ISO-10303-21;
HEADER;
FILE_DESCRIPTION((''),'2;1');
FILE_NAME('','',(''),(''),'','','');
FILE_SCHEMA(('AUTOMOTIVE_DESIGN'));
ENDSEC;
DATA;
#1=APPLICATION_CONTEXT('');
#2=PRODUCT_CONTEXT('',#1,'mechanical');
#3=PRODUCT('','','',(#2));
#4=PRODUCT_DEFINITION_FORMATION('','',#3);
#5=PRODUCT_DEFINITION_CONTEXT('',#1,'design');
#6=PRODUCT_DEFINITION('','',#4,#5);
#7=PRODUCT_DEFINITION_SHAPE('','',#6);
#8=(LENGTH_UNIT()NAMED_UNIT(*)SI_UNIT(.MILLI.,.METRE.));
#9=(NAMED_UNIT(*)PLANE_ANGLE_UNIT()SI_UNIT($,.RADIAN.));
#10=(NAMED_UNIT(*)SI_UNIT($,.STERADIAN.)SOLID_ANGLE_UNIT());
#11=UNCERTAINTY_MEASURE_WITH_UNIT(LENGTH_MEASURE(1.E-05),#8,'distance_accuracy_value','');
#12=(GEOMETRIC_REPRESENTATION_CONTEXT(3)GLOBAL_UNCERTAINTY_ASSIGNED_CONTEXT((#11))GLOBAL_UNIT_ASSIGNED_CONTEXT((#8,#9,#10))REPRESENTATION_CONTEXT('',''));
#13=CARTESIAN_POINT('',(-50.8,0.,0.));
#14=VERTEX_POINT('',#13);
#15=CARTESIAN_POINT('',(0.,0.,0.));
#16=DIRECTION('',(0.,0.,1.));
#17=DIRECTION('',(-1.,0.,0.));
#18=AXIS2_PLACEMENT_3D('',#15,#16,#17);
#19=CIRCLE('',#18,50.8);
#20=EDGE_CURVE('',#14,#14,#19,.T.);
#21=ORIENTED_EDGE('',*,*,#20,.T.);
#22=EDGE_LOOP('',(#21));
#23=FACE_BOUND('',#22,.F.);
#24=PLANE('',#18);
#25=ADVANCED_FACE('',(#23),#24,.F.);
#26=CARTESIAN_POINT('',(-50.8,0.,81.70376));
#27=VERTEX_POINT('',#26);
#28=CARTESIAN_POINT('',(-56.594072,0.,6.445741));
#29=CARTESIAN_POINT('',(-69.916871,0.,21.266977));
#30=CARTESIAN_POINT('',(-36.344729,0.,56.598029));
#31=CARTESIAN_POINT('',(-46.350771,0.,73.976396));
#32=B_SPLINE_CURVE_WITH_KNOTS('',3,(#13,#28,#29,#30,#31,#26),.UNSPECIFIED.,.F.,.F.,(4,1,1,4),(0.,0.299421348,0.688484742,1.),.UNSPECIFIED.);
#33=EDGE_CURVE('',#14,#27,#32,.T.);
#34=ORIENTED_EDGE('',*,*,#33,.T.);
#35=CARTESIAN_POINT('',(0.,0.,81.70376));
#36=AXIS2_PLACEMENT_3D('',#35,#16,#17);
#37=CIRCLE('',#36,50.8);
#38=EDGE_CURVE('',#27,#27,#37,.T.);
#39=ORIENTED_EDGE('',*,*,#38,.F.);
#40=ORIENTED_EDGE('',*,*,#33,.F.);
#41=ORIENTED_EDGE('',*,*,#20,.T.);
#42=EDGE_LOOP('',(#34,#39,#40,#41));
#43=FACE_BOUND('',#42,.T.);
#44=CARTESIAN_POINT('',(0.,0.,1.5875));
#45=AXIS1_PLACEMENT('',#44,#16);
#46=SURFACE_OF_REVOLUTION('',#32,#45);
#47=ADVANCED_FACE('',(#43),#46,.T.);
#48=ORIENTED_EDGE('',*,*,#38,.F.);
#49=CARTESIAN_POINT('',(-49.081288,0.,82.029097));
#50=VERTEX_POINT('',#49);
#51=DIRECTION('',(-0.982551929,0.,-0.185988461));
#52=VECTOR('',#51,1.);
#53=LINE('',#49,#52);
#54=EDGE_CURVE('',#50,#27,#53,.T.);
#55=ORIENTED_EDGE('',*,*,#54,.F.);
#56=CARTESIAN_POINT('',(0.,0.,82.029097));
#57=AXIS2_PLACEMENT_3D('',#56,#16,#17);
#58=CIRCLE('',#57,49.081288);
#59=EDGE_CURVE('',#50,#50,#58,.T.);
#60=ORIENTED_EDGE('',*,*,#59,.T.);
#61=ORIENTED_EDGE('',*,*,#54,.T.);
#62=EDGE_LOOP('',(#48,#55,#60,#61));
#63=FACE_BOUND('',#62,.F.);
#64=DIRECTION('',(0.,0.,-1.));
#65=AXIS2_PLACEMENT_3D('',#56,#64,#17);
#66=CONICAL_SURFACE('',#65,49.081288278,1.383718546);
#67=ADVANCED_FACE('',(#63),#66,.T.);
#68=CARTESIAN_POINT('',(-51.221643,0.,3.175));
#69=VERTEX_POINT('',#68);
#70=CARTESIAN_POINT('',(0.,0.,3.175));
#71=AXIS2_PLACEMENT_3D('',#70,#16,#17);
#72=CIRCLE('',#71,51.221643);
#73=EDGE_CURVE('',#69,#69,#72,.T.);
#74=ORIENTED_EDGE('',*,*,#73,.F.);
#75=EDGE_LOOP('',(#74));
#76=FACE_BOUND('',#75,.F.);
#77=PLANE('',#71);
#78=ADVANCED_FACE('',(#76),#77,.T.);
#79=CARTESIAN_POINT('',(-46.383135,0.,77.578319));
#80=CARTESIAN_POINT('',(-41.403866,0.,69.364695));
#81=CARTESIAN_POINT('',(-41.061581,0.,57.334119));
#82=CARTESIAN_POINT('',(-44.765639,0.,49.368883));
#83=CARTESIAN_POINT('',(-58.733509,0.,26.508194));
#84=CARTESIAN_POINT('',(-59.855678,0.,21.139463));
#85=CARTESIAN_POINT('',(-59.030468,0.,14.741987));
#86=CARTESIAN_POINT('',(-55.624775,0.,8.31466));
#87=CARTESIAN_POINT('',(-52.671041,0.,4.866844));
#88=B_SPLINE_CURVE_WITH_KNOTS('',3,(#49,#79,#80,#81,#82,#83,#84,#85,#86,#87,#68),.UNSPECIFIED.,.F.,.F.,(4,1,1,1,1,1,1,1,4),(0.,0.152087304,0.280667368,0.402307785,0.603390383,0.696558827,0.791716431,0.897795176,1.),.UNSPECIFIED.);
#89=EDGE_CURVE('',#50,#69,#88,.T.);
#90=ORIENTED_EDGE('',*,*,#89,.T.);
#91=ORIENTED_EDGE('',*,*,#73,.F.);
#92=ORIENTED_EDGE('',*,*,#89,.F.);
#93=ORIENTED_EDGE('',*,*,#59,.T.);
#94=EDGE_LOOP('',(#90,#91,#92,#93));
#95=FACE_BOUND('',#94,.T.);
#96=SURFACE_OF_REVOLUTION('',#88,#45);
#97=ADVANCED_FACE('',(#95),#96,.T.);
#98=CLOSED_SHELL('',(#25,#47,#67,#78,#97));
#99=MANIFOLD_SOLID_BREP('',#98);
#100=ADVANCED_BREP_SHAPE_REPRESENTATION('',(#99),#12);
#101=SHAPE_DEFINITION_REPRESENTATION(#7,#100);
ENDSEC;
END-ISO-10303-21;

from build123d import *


with BuildPart() as f1:
    # F0 (on Front) → F1 (revolve)
    with BuildSketch(Plane.XZ):
        with BuildLine():
            Line((-50.8, 0), (0, 0))
            Line((0, 0), (0, 3.175))
            Line((0, 3.175), (-51.2216426432, 3.175))
            add(Edge.make_bspline(
                [(-49.0812882781, 82.0290967822), (-46.3831349432, 77.578319463), (-41.4038659616, 69.3646952917), (-41.0615806078, 57.3341190703), (-44.765638516, 49.3688829264), (-58.7335093552, 26.5081942318), (-59.8556783812, 21.1394625395), (-59.0304677863, 14.741986518), (-55.624775307, 8.3146602042), (-52.6710411017, 4.866844454), (-51.2216426432, 3.175)],
                knots=[0, 0, 0, 0, 0.152087304, 0.280667368, 0.402307785, 0.603390383, 0.6965588275, 0.7917164308, 0.8977951761, 1, 1, 1, 1], degree=3))
            Line((-49.0812882781, 82.0290967822), (-50.8, 81.7037597299))
            add(Edge.make_bspline(
                [(-50.8, 0), (-56.5940722428, 6.4457409996), (-69.916870896, 21.2669765506), (-36.344729397, 56.5980289868), (-46.3507712217, 73.9763955878), (-50.8, 81.7037597299)],
                knots=[0, 0, 0, 0, 0.2994213482, 0.6884847421, 1, 1, 1, 1], degree=3))
        make_face()
    revolve(axis=Axis((0, 0, 1.5875), (0, 0, 1)))


solid = f1.part
